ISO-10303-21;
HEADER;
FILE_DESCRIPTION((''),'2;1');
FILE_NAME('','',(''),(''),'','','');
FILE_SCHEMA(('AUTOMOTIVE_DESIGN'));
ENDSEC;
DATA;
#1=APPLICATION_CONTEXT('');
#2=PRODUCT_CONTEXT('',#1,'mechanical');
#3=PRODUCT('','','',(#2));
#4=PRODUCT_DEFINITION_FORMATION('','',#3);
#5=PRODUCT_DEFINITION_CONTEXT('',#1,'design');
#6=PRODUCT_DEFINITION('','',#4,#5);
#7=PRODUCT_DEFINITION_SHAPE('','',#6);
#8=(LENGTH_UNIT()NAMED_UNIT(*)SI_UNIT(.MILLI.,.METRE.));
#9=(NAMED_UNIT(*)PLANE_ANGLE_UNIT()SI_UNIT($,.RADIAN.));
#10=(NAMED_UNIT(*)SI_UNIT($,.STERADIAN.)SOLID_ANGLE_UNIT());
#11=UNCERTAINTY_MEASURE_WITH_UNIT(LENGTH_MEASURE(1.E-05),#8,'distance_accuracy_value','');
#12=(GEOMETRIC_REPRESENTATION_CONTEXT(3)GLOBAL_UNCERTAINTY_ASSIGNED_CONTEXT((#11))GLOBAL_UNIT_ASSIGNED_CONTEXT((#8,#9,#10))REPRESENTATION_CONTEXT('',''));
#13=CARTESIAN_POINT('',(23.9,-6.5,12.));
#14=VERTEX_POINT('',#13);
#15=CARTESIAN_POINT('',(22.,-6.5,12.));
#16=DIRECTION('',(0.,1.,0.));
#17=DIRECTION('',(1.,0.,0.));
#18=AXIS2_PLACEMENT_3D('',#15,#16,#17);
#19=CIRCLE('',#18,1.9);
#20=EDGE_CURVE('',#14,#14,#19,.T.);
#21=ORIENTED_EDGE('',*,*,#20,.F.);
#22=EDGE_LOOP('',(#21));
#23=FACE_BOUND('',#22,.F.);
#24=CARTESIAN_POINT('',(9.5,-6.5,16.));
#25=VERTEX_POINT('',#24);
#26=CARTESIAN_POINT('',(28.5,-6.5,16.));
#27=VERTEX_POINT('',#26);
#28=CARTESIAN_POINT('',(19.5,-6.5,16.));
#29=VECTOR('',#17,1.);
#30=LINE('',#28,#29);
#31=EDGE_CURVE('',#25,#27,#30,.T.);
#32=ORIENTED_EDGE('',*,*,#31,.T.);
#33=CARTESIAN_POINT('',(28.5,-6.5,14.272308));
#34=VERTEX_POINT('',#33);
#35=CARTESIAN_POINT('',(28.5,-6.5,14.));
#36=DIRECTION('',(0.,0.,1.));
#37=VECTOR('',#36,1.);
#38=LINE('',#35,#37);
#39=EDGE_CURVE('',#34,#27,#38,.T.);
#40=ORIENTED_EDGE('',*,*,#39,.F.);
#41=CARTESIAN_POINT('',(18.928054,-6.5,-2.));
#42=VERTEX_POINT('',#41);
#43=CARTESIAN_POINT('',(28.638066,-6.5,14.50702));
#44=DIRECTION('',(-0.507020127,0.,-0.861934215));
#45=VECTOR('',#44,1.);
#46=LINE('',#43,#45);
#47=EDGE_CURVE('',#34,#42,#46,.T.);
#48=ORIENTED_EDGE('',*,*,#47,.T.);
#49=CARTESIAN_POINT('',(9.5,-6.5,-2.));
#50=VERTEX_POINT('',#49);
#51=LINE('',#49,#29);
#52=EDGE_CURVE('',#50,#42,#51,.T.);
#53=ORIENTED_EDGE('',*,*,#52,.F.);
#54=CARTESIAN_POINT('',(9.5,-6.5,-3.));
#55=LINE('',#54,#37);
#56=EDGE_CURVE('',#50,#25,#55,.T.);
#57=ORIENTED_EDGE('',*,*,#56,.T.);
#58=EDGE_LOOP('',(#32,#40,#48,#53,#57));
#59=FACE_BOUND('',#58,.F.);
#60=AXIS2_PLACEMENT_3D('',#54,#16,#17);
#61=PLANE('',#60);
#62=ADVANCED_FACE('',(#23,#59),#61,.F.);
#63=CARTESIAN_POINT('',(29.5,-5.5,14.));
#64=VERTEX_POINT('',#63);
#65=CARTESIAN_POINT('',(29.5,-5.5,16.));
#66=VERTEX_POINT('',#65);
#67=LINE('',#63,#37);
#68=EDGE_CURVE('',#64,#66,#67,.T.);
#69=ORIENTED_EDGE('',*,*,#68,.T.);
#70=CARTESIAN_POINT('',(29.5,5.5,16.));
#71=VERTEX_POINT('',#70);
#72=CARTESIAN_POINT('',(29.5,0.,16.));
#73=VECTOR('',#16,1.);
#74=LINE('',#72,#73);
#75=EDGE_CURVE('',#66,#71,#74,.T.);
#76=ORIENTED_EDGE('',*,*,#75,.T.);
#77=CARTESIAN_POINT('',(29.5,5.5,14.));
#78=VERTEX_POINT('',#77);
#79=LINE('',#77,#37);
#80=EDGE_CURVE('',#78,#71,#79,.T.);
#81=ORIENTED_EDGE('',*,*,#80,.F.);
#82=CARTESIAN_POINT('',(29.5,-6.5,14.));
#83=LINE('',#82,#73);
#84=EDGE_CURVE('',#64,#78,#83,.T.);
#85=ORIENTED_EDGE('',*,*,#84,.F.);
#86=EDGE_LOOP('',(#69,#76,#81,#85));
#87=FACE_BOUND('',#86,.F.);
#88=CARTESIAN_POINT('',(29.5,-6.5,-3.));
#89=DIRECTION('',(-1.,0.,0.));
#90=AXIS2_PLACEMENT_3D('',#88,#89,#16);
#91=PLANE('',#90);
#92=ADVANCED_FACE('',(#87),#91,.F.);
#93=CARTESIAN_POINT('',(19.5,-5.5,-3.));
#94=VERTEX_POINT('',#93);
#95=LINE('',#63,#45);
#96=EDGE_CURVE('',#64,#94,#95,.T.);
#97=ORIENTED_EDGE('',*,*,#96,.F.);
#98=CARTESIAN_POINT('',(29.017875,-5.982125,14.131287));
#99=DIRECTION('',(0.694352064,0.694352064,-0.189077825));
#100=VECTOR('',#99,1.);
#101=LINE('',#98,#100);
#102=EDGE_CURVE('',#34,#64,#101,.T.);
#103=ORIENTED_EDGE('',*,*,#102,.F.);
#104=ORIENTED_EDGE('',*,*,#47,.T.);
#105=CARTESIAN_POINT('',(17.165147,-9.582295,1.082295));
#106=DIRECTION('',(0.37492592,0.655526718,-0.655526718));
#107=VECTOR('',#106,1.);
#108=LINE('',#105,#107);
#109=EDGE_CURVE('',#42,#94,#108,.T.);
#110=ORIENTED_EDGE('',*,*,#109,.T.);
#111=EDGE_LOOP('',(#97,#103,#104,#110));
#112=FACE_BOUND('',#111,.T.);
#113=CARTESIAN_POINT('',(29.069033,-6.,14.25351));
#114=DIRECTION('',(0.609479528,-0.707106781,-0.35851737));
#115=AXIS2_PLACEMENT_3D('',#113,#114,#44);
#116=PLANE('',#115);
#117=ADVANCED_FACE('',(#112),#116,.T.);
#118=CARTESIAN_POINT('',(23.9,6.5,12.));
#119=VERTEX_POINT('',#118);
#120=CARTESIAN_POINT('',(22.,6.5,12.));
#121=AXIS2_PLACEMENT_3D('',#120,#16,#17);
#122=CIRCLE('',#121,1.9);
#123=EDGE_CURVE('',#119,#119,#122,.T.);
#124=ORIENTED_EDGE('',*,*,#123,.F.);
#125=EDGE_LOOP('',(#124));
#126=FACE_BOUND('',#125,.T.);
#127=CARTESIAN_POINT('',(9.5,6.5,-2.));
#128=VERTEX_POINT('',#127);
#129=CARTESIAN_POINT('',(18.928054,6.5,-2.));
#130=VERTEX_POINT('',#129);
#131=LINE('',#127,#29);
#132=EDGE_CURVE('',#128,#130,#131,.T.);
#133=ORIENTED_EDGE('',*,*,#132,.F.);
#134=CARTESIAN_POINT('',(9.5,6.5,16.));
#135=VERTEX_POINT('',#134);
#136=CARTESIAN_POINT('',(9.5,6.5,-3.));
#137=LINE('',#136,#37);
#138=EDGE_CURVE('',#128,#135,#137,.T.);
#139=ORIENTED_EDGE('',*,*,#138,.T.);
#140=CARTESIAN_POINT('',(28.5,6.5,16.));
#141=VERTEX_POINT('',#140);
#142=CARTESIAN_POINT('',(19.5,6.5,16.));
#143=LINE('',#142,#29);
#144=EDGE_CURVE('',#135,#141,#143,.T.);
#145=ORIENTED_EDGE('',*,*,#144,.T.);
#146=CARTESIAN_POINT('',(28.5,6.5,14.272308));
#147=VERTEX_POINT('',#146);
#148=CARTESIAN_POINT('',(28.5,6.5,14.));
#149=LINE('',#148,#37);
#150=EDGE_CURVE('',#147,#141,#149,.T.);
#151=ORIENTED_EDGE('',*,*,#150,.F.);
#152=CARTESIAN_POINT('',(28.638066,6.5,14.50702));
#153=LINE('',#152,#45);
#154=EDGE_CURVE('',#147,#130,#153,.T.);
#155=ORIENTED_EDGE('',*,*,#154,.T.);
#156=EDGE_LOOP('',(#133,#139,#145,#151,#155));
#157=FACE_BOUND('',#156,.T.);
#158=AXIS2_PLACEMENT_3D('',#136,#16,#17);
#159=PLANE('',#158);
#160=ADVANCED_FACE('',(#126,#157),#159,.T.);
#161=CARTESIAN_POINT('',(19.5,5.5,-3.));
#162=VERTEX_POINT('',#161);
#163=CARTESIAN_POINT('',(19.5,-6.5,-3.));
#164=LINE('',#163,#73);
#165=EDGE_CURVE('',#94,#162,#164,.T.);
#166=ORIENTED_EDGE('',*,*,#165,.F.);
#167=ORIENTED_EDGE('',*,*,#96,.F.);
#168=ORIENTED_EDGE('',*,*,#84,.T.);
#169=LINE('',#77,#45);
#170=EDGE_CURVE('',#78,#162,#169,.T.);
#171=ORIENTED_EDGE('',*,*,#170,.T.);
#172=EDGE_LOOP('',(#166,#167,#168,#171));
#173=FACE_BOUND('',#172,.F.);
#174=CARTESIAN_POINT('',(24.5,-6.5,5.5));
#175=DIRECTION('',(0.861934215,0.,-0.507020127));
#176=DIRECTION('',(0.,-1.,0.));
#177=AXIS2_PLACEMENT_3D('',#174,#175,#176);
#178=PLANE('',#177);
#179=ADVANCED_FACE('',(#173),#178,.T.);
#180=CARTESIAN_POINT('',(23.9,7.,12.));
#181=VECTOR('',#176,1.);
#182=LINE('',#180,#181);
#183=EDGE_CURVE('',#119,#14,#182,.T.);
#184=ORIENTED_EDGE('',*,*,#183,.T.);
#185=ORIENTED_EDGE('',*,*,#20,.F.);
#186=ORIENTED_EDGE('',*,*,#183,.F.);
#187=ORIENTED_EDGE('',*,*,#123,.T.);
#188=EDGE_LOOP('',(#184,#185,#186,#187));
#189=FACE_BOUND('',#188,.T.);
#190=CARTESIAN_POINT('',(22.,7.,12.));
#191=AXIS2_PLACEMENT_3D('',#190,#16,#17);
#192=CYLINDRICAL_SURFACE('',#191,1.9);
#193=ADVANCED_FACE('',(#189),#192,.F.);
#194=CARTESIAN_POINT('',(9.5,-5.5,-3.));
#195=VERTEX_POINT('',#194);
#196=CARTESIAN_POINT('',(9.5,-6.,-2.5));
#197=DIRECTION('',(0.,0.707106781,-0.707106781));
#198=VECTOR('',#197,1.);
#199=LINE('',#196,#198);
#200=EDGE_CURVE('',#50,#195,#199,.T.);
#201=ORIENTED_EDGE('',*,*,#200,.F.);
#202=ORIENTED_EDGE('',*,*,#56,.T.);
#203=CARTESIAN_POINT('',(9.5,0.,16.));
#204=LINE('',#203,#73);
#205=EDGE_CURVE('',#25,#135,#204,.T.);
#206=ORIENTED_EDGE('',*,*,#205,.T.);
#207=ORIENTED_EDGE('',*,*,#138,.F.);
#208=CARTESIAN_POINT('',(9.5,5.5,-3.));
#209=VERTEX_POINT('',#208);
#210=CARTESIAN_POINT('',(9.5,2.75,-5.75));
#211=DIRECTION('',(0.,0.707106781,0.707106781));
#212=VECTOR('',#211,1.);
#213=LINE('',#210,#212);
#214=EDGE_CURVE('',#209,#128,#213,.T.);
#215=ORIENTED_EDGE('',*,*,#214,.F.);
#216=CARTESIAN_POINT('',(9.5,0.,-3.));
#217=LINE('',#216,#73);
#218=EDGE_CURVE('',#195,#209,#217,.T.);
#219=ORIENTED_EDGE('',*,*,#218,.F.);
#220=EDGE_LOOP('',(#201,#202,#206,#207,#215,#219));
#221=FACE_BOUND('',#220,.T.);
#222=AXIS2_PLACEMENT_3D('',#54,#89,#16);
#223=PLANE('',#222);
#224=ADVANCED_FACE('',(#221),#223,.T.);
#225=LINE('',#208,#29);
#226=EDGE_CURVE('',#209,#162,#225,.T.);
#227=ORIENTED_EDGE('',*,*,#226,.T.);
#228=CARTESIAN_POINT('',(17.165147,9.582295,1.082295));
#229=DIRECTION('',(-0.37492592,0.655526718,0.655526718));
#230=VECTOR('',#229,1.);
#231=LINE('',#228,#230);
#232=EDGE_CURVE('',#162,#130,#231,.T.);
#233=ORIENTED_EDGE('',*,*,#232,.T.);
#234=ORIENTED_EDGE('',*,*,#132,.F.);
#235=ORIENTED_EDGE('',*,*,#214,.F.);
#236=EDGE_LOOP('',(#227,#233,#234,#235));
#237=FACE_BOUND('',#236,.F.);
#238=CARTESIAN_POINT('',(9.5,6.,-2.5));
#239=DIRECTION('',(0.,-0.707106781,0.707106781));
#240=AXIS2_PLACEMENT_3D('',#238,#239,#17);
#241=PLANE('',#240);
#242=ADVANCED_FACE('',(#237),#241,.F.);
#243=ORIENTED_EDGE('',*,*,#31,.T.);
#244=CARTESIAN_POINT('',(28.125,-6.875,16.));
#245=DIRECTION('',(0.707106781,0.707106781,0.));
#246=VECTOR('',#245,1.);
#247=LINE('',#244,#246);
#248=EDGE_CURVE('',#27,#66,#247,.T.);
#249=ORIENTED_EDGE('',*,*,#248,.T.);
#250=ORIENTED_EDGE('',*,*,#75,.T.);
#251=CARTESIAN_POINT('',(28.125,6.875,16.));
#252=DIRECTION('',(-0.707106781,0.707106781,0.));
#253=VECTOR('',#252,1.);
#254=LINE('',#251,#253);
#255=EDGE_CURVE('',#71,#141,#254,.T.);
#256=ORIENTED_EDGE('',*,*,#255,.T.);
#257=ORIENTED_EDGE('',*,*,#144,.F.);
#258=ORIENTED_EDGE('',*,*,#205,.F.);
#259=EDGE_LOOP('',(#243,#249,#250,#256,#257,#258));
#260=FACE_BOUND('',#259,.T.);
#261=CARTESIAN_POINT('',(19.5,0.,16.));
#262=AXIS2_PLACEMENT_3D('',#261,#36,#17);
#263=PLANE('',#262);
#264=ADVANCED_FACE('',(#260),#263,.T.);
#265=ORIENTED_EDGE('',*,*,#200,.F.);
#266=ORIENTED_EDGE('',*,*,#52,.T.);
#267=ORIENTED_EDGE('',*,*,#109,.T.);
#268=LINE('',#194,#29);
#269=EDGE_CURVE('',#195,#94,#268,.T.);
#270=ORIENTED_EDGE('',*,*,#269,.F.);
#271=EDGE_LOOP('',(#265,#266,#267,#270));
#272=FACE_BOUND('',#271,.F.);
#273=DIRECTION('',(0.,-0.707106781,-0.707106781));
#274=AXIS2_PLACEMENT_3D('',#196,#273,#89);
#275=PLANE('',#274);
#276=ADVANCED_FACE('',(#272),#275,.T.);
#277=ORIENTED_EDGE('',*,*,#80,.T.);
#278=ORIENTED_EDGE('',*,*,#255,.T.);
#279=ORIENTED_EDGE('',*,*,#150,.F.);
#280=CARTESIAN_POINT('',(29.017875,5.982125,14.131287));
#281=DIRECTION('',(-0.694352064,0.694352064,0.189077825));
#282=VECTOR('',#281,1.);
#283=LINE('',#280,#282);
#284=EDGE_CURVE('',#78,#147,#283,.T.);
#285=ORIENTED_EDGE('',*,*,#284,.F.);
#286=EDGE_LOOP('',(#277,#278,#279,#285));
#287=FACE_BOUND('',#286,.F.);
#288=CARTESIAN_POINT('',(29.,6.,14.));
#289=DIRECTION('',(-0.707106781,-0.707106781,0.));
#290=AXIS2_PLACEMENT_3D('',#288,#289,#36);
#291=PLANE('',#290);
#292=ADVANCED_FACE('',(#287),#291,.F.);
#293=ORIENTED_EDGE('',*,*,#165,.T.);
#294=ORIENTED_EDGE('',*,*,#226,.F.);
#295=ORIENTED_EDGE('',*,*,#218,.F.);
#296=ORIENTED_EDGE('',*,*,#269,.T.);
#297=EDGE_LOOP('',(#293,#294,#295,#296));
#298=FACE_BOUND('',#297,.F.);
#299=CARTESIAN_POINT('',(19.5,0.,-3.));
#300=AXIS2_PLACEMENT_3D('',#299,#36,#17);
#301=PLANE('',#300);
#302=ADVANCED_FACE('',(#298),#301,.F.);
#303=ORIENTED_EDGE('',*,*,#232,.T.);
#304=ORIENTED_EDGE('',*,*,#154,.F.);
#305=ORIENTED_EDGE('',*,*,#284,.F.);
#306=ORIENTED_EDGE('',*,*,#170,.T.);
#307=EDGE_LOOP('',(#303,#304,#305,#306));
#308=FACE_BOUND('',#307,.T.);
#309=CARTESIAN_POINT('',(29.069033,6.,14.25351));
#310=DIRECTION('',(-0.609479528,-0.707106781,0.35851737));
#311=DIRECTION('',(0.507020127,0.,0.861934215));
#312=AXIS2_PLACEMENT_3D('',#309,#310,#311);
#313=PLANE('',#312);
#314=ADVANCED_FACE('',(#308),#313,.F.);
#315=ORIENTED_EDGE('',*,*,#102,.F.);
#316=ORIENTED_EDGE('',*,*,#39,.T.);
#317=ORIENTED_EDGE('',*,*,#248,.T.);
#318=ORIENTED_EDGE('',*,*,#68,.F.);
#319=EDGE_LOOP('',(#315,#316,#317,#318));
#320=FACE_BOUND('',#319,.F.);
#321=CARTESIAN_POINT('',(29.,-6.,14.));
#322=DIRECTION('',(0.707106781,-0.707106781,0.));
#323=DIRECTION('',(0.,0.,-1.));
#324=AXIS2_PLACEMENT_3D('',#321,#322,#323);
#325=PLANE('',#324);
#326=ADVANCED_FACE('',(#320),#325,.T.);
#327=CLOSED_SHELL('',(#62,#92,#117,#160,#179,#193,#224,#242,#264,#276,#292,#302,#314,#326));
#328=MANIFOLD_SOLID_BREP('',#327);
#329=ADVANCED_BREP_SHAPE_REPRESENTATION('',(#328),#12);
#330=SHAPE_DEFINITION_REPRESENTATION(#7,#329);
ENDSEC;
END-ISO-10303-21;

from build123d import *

# Parameters (mm, degrees)
CYLINDER010_R                               = 1.9
CYLINDER010_DEPTH                           = 14
BOX015_W                                    = 20
BOX015_H                                    = 13
BOX015_DEPTH                                = 19
CHAMFER004013007011015006009007001002_SIZE2 = 10
CHAMFER004013007011015006009007001002_SIZE  = 17
CHAMFER004013007011015006009007001003_SIZE  = 1


with BuildPart() as cylinder010:
    # Cylinder010 → Cylinder010 (new body)
    with BuildSketch(Plane(origin=(22, 7, 12), x_dir=(1, 0, 0), z_dir=(0, -1, 0))):
        Circle(CYLINDER010_R)
    extrude(amount=CYLINDER010_DEPTH)


with BuildPart() as supporter_rf:
    # Box015 → Box015 (new body)
    with BuildSketch(Plane(origin=(9.5, -6.5, -3), x_dir=(1, 0, 0), z_dir=(0, 0, 1))):
        with Locations((10, 6.5)):
            Rectangle(BOX015_W, BOX015_H)
    extrude(amount=BOX015_DEPTH)

    # Chamfer004013007011015006009007001002
    chamfer004013007011015006009007001002_edges = [supporter_rf.edges().sort_by_distance(p)[0] for p in [
        (29.5, 0, -3),
    ]]
    chamfer004013007011015006009007001002_side = supporter_rf.faces().sort_by_distance((29.5, 0, 6.5))[0]
    chamfer(chamfer004013007011015006009007001002_edges, length=CHAMFER004013007011015006009007001002_SIZE, length2=CHAMFER004013007011015006009007001002_SIZE2, reference=chamfer004013007011015006009007001002_side)

    # Chamfer004013007011015006009007001003
    chamfer004013007011015006009007001003_edges = [supporter_rf.edges().sort_by_distance(p)[0] for p in [
        (29.5, -6.5, 15),
        (29.5, 6.5, 15),
        (14.5, -6.5, -3),
        (24.5, -6.5, 5.5),
        (24.5, 6.5, 5.5),
        (14.5, 6.5, -3),
    ]]
    chamfer(chamfer004013007011015006009007001003_edges, length=CHAMFER004013007011015006009007001003_SIZE)

    # Cut028006004005011004: cut Cylinder010
    add(cylinder010.part, mode=Mode.SUBTRACT)


solid = supporter_rf.part
